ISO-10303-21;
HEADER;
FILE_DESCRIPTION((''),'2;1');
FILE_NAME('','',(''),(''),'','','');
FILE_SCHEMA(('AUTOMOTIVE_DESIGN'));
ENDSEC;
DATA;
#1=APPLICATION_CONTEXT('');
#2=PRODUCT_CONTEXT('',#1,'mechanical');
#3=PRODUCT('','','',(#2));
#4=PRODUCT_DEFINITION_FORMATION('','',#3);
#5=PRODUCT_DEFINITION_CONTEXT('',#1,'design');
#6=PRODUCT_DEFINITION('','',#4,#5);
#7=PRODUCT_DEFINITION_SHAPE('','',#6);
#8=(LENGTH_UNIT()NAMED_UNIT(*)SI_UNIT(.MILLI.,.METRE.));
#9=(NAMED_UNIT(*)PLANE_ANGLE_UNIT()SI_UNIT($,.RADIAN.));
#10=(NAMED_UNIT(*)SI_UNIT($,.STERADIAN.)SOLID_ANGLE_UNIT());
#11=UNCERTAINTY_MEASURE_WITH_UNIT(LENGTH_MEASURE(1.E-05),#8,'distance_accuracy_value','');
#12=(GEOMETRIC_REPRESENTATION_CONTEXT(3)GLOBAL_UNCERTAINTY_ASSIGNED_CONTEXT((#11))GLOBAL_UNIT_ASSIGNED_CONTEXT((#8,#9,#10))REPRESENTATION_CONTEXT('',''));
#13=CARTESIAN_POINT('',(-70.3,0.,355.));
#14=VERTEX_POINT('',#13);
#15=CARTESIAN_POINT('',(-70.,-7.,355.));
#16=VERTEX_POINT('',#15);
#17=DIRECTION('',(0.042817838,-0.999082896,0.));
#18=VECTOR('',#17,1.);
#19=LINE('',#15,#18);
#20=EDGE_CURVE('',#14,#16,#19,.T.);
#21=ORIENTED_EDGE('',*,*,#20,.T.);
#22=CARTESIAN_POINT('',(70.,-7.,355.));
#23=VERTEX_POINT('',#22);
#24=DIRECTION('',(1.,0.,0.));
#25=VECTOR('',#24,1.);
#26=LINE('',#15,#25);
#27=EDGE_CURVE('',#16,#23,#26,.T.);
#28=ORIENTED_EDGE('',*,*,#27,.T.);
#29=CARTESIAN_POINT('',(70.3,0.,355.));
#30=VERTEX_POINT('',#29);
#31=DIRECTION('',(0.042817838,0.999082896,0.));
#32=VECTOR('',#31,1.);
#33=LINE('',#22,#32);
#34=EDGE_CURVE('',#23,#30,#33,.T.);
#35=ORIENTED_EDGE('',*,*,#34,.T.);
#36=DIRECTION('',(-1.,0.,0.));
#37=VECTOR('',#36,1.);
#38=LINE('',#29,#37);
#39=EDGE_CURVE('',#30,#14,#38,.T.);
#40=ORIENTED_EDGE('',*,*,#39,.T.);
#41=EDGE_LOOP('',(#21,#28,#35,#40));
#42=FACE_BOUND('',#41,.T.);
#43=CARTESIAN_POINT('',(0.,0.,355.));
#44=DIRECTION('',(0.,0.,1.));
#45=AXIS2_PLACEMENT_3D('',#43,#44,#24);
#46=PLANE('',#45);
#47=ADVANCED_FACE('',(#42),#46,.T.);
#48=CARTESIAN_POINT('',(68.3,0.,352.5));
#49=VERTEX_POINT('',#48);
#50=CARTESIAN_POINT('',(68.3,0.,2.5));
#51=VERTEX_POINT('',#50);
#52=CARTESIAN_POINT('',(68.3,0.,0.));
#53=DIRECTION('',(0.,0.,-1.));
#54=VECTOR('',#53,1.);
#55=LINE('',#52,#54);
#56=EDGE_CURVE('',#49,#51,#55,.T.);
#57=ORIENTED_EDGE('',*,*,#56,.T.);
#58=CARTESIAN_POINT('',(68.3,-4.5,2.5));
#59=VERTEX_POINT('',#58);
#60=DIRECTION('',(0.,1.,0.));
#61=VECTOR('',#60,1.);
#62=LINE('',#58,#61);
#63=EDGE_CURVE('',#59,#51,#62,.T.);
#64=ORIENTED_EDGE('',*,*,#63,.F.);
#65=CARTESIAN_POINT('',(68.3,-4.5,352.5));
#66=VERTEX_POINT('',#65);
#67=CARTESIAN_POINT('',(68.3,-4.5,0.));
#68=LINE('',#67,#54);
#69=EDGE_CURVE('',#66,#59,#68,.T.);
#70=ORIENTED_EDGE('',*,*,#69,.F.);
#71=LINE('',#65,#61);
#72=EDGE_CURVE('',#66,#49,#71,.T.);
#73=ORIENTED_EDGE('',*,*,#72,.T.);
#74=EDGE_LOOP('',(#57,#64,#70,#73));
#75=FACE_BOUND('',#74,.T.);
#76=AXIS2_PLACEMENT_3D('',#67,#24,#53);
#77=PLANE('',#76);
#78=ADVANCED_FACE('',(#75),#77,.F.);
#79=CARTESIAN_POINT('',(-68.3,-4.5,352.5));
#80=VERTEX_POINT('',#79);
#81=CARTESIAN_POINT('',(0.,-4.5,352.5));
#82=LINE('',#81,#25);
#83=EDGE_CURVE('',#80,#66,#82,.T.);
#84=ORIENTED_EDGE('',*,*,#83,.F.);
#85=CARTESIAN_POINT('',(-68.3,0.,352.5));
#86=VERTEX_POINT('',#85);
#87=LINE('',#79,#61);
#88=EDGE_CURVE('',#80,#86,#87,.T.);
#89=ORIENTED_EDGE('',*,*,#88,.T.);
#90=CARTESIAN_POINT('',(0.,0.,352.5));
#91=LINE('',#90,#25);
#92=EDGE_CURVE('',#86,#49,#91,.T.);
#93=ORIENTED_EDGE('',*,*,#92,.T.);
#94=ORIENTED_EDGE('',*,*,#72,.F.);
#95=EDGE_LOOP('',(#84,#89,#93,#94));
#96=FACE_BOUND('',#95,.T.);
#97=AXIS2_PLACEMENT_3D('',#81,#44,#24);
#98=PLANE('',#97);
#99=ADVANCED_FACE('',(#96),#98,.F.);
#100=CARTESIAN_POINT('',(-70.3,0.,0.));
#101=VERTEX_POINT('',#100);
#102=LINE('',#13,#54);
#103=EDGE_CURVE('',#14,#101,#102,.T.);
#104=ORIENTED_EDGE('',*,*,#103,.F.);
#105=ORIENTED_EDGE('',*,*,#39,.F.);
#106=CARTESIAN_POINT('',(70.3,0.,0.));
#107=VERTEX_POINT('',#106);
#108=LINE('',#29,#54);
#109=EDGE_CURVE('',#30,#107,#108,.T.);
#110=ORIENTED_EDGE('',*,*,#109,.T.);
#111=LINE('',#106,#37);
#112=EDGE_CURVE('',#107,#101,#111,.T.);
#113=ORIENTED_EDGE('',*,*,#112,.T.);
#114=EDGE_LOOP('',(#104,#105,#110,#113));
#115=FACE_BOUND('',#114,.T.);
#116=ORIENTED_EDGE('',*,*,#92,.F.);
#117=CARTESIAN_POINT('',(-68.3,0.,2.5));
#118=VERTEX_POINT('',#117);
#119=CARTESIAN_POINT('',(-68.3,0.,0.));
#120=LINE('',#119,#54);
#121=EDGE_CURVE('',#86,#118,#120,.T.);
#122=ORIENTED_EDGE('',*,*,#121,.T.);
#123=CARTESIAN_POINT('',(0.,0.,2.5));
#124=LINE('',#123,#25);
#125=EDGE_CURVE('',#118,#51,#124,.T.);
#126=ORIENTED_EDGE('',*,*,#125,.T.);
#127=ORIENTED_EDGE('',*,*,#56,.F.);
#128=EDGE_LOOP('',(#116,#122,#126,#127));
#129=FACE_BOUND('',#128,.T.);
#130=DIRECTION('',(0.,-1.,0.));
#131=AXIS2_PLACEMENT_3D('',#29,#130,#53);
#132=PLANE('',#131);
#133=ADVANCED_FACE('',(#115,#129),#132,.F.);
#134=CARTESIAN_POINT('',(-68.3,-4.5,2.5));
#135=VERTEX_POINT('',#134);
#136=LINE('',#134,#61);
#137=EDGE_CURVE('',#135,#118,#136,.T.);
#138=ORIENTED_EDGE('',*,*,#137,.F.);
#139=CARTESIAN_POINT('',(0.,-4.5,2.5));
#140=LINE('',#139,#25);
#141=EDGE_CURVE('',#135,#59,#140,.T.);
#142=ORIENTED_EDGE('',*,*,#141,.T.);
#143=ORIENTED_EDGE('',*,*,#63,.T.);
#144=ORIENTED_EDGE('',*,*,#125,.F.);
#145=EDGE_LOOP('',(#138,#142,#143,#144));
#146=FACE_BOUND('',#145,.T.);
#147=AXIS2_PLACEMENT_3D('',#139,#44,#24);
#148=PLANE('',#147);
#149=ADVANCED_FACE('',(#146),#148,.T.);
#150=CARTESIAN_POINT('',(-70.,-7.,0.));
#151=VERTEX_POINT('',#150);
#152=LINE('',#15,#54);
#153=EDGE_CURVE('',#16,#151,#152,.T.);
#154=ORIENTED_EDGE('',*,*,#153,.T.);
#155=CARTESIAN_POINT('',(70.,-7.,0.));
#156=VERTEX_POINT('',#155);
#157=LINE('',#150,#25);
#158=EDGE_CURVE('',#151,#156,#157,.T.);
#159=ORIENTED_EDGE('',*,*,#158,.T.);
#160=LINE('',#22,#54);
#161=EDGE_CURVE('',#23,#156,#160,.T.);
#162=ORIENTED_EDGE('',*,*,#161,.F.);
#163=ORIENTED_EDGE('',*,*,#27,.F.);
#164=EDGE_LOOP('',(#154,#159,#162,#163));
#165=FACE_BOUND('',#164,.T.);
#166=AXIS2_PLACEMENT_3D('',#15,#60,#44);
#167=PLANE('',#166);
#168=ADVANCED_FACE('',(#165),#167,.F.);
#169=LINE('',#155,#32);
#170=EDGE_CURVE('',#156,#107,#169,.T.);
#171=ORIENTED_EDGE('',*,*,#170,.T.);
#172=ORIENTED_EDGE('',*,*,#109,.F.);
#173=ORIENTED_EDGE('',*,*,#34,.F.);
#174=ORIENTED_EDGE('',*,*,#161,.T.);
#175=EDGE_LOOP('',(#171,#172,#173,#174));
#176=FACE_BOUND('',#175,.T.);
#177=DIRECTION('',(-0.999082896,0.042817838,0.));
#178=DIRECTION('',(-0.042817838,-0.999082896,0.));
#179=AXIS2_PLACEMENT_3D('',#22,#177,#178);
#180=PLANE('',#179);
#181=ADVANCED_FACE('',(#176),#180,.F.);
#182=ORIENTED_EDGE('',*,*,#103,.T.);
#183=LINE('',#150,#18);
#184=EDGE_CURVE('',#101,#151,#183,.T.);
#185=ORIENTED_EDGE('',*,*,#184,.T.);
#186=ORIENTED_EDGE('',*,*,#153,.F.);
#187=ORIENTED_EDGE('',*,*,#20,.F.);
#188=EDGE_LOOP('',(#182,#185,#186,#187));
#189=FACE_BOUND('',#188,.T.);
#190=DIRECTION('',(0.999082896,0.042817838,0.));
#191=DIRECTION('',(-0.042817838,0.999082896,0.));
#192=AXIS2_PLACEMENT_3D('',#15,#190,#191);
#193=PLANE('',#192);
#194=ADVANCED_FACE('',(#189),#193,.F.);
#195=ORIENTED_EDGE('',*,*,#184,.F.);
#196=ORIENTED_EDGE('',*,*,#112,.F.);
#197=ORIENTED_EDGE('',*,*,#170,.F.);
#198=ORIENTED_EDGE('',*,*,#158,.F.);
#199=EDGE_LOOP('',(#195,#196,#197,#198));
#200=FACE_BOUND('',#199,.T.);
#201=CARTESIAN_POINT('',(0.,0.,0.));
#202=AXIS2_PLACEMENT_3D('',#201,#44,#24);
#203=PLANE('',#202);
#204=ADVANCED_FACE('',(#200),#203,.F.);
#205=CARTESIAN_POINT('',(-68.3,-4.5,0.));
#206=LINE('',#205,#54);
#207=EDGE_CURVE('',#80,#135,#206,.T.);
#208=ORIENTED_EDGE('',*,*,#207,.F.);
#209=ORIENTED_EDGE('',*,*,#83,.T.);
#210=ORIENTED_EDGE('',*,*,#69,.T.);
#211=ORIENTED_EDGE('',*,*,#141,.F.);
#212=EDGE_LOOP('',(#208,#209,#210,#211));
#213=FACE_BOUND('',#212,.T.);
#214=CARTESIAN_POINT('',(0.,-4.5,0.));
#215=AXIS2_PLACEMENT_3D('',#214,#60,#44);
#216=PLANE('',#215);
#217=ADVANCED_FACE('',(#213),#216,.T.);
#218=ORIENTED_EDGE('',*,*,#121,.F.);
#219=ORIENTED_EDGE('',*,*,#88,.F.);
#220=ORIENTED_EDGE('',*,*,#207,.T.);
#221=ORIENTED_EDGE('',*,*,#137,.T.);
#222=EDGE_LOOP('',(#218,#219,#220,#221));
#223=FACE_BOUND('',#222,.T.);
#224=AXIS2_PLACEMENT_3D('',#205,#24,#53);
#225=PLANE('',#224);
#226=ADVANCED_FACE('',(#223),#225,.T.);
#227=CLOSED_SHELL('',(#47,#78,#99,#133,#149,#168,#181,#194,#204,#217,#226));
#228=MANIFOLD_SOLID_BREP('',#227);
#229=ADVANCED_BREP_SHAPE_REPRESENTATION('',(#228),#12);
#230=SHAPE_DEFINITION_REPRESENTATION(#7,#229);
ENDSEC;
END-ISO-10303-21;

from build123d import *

# Parameters (mm, degrees)
BOSS_EXTRUDE2_DEPTH = 355
SKETCH2_W           = 136.6
SKETCH2_H           = 350
CUT_EXTRUDE1_DEPTH  = 4.5


with BuildPart() as part:
    # Sketch1 → Boss-Extrude2 (new body)
    with BuildSketch(Plane.XY):
        Polygon((-70, -7), (70, -7), (70.3, 0), (-70.3, 0), align=None)
    extrude(amount=BOSS_EXTRUDE2_DEPTH)

    # Sketch2 → Cut-Extrude1 (cut)
    with BuildSketch(Plane(origin=(0, 0, 0), x_dir=(1, 0, 0), z_dir=(0, 1, 0))):
        with Locations((0, -177.5)):
            Rectangle(SKETCH2_W, SKETCH2_H)
    extrude(amount=-CUT_EXTRUDE1_DEPTH, mode=Mode.SUBTRACT)


solid = part.part
